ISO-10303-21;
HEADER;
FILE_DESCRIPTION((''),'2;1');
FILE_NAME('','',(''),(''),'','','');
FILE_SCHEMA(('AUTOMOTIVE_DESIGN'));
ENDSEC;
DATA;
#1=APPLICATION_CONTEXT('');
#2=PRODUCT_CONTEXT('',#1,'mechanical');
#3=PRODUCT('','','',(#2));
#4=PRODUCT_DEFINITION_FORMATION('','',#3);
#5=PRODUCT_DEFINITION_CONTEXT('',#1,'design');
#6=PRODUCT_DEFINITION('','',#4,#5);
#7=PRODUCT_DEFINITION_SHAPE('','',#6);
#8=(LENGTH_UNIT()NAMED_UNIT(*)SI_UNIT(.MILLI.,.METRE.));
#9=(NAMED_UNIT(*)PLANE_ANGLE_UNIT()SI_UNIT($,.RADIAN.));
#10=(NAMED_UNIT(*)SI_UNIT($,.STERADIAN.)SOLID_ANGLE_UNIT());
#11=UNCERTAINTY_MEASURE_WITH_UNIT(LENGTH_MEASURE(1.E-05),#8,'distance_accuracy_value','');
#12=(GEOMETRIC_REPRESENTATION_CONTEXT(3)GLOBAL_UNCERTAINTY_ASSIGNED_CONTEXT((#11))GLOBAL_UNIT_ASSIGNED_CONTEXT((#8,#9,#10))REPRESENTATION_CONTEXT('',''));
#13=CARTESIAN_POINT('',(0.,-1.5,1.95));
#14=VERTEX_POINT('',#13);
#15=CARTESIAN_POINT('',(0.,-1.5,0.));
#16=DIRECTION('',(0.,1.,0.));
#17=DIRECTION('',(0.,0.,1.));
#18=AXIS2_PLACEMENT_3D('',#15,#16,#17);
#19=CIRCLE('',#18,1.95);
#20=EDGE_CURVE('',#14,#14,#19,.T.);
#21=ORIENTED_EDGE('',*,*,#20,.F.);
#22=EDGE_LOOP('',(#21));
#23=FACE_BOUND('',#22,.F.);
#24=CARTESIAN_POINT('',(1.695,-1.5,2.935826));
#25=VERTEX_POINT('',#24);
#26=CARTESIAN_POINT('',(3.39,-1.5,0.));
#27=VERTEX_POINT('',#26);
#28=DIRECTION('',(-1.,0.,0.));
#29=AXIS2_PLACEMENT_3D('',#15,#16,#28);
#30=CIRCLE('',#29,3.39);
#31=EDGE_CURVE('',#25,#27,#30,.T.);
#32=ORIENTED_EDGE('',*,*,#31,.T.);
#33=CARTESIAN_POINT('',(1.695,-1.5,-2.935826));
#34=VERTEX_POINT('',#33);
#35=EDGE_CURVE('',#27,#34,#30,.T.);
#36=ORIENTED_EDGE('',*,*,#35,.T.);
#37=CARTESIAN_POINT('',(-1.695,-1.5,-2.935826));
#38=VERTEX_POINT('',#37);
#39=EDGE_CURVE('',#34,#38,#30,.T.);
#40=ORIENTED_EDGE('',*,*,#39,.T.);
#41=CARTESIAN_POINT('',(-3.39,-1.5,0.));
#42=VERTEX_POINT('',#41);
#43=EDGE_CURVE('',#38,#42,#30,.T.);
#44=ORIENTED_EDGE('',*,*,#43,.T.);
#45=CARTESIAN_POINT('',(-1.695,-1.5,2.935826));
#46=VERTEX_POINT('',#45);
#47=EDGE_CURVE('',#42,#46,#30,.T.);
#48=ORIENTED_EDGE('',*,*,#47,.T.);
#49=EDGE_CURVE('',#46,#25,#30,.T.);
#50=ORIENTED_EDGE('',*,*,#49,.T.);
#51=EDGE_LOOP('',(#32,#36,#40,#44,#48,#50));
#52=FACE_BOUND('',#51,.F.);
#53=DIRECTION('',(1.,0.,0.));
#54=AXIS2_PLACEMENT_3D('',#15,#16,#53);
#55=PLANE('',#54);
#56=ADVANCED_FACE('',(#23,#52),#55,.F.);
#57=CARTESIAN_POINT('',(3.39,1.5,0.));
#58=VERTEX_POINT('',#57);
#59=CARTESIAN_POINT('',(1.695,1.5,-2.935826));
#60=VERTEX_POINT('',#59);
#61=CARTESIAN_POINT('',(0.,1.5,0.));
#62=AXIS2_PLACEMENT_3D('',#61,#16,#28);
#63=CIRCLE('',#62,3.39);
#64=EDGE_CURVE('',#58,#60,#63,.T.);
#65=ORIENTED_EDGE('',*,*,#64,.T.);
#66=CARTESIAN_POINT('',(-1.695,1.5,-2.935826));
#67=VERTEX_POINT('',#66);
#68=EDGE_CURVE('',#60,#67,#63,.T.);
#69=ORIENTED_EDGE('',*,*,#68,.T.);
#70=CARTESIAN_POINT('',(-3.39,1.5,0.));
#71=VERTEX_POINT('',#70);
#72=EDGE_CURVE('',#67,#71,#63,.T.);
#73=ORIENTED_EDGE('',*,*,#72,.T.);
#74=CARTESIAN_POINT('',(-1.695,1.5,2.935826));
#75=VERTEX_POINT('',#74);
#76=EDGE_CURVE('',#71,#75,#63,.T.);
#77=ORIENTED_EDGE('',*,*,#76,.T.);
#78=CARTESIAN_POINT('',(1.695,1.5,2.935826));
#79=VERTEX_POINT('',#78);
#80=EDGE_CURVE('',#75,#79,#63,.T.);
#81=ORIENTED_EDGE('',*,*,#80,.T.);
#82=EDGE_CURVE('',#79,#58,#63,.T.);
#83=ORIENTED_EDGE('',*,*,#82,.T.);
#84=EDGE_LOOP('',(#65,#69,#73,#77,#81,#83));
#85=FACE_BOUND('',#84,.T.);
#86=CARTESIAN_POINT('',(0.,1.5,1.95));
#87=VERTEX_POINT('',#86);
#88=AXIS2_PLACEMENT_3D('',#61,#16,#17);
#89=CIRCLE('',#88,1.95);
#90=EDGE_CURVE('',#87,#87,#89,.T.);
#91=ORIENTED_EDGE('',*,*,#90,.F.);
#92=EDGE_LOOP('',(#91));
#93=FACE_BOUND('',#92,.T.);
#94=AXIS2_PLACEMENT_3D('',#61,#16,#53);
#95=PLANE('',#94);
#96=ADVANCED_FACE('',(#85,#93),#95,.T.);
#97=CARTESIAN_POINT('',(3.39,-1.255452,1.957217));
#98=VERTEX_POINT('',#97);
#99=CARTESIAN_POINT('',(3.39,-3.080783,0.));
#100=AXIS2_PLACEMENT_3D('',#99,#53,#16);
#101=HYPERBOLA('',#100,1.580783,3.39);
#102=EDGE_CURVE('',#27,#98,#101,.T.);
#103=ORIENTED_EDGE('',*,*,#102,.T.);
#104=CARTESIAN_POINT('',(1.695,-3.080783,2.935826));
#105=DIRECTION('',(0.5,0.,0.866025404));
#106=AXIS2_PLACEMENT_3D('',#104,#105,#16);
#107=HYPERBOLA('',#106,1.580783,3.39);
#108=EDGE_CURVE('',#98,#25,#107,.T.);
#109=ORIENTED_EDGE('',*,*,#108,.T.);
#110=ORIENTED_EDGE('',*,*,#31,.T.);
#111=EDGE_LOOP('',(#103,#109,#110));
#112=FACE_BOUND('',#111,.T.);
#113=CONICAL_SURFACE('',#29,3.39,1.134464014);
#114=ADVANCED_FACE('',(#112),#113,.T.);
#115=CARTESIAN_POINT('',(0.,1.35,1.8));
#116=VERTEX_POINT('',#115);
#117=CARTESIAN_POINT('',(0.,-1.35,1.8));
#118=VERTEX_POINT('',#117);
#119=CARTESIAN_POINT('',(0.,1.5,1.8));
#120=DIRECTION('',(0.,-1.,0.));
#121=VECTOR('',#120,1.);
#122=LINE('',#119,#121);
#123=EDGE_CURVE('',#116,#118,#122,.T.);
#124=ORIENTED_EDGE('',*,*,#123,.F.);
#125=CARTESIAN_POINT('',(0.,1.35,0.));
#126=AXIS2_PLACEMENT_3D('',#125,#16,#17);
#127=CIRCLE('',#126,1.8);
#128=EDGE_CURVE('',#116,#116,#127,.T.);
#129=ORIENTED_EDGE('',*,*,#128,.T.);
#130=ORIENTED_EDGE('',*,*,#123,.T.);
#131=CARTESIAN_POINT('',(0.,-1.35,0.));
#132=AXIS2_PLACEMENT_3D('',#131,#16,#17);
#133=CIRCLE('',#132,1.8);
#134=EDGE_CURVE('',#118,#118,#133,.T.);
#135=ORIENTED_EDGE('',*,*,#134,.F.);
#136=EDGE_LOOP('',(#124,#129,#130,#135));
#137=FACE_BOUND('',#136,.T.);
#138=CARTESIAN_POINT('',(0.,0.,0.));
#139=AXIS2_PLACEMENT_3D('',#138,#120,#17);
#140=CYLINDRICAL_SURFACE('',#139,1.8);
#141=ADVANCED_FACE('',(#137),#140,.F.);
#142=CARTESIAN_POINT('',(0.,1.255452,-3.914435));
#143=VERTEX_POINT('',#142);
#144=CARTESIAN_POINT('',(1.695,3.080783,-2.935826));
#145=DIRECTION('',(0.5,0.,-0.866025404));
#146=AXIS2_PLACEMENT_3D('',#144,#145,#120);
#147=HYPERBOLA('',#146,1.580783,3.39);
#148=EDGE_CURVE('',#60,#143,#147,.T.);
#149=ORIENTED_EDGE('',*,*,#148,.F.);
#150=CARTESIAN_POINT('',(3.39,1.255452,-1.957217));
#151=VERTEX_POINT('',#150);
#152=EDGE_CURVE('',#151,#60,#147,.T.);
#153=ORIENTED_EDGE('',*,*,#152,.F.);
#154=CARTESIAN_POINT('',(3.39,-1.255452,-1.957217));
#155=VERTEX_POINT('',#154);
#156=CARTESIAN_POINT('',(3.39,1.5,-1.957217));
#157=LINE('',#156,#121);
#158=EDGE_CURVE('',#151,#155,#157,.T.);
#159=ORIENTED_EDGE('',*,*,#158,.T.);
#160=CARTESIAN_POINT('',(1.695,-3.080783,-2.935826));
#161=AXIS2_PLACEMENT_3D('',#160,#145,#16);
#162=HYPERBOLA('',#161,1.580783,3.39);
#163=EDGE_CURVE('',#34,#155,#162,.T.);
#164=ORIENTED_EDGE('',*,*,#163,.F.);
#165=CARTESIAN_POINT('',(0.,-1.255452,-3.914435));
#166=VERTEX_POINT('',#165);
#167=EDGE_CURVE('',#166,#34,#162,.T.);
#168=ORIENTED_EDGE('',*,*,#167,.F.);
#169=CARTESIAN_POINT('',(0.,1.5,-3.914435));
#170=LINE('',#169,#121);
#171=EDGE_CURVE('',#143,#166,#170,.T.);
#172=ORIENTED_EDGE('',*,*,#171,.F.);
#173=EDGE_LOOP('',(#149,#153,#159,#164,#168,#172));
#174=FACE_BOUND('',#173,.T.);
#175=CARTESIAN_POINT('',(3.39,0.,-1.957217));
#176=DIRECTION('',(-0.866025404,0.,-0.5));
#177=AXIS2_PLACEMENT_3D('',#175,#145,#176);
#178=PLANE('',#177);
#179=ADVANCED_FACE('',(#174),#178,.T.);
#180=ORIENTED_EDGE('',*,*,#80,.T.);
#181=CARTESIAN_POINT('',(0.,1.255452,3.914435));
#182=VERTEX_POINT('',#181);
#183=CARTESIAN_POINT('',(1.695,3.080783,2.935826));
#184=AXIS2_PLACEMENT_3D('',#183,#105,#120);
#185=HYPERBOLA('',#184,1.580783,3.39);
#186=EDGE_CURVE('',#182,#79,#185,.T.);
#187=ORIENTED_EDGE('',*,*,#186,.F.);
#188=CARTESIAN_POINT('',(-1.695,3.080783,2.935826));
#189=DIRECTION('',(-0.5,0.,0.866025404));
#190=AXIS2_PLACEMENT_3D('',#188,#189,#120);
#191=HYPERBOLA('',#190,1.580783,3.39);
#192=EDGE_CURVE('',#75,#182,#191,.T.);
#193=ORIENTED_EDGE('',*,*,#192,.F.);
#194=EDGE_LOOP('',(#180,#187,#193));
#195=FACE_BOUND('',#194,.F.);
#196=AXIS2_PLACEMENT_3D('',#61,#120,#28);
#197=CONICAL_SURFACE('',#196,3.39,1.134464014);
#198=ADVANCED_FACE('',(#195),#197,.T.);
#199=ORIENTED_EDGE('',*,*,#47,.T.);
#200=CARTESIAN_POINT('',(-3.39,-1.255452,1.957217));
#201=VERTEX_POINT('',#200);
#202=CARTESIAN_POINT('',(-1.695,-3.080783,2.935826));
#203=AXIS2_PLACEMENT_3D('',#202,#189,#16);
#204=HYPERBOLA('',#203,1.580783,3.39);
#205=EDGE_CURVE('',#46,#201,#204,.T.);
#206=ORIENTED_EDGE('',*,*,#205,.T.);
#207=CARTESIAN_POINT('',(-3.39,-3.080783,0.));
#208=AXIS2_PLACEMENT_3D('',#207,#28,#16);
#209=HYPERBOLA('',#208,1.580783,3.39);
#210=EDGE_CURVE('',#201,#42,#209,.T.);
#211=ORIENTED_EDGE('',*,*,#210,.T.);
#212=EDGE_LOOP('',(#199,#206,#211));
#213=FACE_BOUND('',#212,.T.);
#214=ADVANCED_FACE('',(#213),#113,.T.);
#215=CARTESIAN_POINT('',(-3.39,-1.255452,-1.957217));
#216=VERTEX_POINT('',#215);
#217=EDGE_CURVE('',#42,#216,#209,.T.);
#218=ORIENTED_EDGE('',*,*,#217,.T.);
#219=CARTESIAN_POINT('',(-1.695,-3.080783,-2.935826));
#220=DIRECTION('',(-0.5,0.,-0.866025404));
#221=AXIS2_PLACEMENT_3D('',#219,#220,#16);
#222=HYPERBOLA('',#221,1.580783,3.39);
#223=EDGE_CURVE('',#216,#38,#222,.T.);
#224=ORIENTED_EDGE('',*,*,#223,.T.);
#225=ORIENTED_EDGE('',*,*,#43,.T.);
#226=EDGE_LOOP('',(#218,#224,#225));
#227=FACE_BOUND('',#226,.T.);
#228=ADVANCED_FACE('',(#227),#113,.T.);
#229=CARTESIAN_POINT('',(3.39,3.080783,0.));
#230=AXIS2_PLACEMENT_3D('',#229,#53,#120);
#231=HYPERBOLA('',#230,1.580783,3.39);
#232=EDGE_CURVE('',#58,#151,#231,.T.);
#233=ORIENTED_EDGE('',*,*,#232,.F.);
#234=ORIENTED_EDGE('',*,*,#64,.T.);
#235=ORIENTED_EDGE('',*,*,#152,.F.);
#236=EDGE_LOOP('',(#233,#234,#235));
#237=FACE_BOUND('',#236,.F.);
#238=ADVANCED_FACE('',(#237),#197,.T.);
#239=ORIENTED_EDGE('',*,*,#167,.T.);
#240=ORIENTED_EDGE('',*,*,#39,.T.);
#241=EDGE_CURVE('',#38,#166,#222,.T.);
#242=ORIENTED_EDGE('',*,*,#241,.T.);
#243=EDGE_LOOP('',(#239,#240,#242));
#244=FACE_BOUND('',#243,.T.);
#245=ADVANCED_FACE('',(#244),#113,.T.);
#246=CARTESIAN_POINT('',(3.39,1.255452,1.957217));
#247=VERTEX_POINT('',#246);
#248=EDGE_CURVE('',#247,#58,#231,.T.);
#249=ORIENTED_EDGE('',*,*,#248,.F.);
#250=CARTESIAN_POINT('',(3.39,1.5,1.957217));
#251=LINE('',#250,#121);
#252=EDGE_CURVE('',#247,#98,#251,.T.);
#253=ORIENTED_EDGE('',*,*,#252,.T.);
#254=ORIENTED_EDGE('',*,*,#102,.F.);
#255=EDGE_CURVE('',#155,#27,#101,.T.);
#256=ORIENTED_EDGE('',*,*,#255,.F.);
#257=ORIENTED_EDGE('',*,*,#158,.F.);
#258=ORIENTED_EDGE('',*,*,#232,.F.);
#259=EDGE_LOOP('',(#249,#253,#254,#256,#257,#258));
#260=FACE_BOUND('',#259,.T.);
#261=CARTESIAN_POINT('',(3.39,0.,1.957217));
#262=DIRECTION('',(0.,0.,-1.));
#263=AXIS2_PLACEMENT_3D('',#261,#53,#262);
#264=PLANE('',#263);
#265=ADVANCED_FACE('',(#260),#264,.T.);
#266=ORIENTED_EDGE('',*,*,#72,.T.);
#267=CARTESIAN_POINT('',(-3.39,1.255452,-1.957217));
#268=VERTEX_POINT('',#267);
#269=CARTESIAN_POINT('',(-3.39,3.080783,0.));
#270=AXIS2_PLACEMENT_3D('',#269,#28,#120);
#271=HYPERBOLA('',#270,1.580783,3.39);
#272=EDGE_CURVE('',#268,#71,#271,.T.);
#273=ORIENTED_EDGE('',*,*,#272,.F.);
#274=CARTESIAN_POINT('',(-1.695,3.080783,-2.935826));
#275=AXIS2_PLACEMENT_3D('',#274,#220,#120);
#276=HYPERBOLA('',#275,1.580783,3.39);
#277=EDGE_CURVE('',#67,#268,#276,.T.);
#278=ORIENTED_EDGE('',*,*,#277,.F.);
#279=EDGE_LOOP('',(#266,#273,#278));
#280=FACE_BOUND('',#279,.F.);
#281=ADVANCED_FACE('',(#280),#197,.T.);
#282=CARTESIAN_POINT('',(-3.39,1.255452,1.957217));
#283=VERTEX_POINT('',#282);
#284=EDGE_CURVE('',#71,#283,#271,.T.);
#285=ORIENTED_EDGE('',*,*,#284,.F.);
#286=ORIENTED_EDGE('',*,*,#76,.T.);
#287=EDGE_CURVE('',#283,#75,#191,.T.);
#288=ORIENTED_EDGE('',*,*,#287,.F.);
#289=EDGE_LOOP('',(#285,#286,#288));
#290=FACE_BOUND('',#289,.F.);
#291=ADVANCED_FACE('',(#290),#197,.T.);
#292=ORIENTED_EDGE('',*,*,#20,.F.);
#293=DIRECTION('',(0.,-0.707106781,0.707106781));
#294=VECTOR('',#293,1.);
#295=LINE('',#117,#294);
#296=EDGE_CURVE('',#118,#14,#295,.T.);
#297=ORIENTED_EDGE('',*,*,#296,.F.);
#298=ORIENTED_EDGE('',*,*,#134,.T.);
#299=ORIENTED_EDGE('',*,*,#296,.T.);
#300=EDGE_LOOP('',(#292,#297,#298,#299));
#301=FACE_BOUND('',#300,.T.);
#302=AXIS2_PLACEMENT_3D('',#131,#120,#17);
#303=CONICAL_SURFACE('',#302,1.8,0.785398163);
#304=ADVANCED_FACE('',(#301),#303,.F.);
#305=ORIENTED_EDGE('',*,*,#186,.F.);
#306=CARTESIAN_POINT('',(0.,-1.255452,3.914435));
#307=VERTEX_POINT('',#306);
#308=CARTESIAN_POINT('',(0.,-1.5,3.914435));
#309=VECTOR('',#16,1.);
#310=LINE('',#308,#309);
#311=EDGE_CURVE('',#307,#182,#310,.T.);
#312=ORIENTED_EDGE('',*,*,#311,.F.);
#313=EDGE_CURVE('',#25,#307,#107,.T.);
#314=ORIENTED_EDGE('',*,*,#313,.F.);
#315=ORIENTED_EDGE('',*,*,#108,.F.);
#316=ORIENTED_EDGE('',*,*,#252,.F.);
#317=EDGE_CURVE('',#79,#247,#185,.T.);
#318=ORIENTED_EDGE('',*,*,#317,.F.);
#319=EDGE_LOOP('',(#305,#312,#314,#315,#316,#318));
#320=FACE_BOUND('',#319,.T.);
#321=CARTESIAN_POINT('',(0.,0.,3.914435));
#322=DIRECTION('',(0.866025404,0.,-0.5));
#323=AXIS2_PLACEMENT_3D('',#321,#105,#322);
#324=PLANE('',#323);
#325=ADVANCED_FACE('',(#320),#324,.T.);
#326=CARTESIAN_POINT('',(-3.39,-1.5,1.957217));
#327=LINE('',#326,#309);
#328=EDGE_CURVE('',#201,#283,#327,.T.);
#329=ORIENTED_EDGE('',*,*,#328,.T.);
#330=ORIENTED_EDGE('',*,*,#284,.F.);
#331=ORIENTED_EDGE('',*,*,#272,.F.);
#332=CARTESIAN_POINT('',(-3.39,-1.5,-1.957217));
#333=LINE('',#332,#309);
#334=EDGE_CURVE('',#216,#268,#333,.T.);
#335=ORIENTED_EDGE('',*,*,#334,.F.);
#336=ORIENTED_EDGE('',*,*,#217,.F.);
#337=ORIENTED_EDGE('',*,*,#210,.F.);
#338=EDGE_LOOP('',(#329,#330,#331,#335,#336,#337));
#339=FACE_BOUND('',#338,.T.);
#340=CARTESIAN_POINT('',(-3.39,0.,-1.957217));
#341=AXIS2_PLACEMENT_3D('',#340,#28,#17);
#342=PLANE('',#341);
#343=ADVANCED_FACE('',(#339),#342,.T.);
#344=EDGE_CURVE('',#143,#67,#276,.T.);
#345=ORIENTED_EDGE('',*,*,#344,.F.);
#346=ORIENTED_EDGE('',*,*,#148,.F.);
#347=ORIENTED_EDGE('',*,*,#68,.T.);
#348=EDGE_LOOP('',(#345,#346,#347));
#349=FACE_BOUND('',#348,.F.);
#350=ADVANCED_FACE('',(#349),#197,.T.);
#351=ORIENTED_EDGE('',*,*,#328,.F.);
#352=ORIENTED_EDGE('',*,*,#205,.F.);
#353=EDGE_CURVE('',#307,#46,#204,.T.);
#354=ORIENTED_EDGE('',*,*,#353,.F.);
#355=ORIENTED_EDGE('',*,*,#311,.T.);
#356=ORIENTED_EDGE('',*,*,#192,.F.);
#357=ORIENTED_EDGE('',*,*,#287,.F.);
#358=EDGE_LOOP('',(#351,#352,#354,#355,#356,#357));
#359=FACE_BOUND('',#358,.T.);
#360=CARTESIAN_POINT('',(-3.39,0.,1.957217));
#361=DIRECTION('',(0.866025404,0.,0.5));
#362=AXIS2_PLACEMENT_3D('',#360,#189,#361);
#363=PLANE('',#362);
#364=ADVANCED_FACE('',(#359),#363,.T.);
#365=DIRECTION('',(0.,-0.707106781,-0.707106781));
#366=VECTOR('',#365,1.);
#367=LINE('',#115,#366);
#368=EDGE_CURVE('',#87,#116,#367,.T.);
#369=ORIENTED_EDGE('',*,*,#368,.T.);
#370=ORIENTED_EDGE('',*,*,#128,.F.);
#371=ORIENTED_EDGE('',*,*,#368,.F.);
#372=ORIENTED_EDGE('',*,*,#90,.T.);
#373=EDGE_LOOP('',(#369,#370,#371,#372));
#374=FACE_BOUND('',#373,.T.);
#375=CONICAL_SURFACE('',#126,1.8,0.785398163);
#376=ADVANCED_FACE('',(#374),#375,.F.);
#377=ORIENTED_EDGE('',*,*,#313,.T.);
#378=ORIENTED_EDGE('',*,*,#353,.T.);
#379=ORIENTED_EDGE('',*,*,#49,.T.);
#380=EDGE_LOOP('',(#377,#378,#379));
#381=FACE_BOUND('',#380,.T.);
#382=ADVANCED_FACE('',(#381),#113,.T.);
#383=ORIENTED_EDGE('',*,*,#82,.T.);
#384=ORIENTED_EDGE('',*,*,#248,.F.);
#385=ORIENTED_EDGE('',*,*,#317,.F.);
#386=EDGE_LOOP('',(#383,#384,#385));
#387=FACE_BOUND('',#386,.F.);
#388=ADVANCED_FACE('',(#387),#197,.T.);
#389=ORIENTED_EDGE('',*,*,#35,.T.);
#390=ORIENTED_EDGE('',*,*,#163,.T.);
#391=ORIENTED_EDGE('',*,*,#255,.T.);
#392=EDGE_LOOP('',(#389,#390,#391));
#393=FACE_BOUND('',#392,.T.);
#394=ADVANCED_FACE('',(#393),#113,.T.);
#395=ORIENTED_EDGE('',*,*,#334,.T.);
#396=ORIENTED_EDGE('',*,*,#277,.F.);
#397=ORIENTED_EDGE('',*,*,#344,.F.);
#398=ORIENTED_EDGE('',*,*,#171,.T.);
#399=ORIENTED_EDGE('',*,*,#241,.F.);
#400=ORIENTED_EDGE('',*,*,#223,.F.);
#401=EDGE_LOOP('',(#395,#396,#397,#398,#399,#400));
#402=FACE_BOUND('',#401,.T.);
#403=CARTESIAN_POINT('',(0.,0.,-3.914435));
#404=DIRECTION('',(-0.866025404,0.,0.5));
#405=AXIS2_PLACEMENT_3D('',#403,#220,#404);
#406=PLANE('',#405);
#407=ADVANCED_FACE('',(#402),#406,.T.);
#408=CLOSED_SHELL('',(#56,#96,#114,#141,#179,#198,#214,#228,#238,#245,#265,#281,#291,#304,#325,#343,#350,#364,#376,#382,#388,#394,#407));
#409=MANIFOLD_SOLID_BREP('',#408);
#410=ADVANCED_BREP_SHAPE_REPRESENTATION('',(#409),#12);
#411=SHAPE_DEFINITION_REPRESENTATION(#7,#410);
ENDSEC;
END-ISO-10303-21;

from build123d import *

# Parameters (mm, degrees)
SKETCH1_R           = 1.8
BOSS_EXTRUDE1_DEPTH = 1.5
CHAMFER1_SIZE       = 0.15


with BuildPart() as part:
    # Sketch1 → Boss-Extrude1 (new, symmetric)
    with BuildSketch(Plane(origin=(0, 0, 0), x_dir=(1, 0, 0), z_dir=(0, 1, 0))):
        Polygon((0, 3.914434825), (-3.39, 1.957217413), (-3.39, -1.957217413), (0, -3.914434825), (3.39, -1.957217413), (3.39, 1.957217413), align=None)
        with Locations(Location((0, 0, 0), (0, 0, 270))):
            Circle(SKETCH1_R, mode=Mode.SUBTRACT)
    extrude(amount=BOSS_EXTRUDE1_DEPTH, both=True)

    # Chamfer1
    chamfer1_edges = [part.edges().sort_by_distance(p)[0] for p in [
        (0, -1.5, -1.8),
        (0, 1.5, -1.8),
    ]]
    chamfer(chamfer1_edges, length=CHAMFER1_SIZE)

    # Sketch2 → Cut-Revolve1 (revolve, cut)
    with BuildSketch(Plane.XY):
        Polygon((-3.39, 1.5), (-5, 0.74924467), (-5, 1.5), align=None)
    cut_revolve1 = revolve(axis=Axis((0, 0, 0), (0, 1, 0)), mode=Mode.SUBTRACT)

    # Mirror1: Cut-Revolve1 across plane
    add(cut_revolve1.mirror(Plane.ZX), mode=Mode.SUBTRACT)


solid = part.part
